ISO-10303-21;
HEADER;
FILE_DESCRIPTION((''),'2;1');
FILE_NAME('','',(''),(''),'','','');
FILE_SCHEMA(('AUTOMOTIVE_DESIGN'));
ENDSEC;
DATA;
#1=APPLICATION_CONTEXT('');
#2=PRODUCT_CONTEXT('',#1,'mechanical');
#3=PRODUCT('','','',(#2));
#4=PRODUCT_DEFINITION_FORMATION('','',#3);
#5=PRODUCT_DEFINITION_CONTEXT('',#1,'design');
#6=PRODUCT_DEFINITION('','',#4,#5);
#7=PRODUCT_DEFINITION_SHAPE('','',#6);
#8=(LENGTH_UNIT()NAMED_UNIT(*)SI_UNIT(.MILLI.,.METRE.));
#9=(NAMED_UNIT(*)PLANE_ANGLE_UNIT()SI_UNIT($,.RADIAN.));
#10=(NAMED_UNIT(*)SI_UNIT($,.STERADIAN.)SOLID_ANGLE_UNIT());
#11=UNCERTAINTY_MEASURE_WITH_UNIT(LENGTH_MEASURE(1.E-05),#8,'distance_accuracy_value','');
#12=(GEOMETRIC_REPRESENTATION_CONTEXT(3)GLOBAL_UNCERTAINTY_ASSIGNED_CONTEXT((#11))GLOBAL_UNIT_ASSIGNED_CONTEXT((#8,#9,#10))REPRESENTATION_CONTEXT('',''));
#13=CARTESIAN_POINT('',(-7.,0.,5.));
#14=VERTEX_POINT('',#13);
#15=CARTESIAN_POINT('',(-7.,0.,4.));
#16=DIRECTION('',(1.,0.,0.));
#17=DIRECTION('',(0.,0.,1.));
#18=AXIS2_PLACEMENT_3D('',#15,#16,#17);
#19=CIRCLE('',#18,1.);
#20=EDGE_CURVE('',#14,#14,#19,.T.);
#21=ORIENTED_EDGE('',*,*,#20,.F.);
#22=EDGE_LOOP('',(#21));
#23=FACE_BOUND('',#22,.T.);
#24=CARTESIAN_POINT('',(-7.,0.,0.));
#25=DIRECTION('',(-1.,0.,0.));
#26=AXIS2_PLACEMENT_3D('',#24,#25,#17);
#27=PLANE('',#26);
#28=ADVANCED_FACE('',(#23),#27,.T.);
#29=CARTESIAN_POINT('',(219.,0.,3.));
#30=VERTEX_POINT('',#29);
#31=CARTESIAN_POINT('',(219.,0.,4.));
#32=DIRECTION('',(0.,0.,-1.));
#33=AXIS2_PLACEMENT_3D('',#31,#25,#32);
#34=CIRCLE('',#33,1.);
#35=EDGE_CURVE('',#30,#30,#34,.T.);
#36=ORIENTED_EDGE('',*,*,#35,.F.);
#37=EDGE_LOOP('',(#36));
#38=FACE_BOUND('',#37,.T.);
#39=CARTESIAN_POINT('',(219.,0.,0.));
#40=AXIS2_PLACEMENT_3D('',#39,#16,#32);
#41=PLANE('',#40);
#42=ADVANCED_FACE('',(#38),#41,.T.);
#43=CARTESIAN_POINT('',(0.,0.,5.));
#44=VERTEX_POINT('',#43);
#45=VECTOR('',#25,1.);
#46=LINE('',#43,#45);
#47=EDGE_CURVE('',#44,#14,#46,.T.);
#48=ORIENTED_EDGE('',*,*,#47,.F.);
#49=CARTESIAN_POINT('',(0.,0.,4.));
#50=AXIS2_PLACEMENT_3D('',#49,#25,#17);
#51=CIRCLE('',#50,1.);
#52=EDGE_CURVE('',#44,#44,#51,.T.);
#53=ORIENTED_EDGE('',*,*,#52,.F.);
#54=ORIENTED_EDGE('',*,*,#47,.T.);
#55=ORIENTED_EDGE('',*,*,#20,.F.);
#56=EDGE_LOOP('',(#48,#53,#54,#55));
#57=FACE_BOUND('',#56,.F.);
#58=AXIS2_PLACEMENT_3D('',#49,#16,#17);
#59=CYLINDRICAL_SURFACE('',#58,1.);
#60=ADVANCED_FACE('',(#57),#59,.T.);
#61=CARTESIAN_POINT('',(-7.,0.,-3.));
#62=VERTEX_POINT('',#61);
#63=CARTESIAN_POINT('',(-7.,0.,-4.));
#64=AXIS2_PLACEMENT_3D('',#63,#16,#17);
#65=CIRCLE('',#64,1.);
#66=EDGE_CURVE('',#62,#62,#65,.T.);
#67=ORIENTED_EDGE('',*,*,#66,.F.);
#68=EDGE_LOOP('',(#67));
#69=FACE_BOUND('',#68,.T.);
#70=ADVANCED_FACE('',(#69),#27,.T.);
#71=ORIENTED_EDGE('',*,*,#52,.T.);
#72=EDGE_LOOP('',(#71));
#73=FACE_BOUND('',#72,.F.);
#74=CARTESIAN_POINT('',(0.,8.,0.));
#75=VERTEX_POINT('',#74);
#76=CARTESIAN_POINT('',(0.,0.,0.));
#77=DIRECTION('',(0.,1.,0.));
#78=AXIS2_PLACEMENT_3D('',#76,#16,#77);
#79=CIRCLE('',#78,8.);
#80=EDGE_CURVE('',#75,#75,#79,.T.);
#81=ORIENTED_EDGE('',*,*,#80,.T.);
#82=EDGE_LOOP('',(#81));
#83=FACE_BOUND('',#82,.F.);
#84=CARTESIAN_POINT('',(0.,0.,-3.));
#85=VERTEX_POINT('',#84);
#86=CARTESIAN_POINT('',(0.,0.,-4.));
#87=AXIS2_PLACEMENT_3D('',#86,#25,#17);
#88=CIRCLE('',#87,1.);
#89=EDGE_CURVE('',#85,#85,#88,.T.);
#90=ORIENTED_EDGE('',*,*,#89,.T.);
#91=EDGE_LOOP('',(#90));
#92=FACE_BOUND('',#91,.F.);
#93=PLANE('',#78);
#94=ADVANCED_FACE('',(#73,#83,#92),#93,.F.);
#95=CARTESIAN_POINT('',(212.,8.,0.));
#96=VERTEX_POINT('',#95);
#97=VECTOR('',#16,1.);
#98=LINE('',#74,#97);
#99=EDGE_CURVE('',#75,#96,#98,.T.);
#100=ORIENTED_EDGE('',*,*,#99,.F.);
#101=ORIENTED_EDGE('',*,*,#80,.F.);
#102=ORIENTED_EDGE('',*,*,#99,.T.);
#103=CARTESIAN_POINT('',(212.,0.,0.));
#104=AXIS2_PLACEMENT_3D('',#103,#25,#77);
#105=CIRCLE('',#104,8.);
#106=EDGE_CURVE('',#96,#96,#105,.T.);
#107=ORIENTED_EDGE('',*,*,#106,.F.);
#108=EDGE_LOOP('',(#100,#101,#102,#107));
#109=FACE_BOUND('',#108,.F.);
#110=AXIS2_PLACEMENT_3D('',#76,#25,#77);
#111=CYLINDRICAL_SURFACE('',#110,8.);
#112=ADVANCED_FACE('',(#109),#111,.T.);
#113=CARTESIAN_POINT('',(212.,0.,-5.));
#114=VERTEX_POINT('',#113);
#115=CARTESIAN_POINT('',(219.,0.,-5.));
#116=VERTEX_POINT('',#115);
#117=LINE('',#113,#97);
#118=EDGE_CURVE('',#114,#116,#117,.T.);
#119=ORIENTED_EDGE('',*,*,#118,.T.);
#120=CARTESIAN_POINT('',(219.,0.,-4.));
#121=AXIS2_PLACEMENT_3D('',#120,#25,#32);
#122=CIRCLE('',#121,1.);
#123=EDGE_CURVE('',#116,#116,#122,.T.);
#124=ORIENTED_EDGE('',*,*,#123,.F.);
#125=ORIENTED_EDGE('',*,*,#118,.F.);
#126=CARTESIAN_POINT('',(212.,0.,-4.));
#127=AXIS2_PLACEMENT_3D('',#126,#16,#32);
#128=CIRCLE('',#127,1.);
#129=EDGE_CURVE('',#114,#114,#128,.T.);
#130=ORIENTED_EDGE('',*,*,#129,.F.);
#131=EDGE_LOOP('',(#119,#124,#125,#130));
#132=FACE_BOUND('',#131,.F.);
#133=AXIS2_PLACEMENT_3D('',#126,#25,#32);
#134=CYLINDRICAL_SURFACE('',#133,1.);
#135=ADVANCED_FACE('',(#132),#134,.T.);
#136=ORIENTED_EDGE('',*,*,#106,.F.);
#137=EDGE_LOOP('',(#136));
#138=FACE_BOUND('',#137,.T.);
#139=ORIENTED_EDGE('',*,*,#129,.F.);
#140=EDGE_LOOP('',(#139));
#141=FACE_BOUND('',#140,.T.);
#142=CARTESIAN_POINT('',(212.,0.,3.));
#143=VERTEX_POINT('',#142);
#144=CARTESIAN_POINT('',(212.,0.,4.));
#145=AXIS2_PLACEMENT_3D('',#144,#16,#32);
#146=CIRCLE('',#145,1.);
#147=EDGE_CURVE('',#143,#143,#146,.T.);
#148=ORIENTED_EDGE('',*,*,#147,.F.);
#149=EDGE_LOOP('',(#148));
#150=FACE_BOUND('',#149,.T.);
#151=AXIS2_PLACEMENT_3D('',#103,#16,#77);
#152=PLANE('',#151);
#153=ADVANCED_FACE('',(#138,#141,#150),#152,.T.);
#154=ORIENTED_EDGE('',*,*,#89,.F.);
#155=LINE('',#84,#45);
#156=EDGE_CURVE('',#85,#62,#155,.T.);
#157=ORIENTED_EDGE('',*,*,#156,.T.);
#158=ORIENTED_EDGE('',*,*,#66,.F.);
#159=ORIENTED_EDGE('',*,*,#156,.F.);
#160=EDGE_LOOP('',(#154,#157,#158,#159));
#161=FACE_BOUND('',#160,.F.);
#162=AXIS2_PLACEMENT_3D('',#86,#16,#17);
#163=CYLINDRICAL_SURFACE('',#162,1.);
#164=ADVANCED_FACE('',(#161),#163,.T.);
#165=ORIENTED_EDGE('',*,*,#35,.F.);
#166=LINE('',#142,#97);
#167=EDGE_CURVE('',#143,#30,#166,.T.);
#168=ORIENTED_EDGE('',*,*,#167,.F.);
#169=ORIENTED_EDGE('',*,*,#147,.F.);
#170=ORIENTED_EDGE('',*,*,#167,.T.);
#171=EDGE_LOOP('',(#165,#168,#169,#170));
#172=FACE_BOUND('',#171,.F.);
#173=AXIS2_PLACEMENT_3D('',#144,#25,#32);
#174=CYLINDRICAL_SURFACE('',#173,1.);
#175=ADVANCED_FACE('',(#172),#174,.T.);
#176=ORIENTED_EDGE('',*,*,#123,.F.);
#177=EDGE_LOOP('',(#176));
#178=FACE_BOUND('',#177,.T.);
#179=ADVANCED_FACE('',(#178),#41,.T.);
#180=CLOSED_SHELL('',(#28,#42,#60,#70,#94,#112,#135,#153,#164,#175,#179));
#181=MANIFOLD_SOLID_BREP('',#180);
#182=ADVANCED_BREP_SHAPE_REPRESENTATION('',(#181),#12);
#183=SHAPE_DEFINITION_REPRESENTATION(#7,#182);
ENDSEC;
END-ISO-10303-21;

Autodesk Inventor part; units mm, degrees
ref_plane "YZ Plane" through (0, 0, 0) normal (1, 0, 0) x (0, 1, 0)
ref_plane "XZ Plane" through (0, 0, 0) normal (0, 1, 0) x (-1, 0, 0)
ref_plane "XY Plane" through (0, 0, 0) normal (0, 0, 1) x (1, 0, 0)
sketch "Szkic1" plane through (0, 0, 0) normal (1, 0, 0) x (0, 1, 0)
  line L0 (-11.2, 0) -> (11.2, 0) projected
  line L1 (0, -11.2) -> (0, 11.2) projected
  circle A0 centre (0, 0) radius 8
  dimension "d0" = 16
extrude "Wyciągnięcie proste1" add sketch "Szkic1" along normal blind 212
sketch "Szkic2" plane through (212, 0, 0) normal (1, 0, 0) x (0, 0, -1)
  circle A0 centre (0, 0) radius 8 projected
  line L0 (0, -11.2) -> (0, 11.2) projected
  line L1 (16, 0) -> (-12, 0) projected
  circle A1 centre (-4, 0) radius 1
  circle A2 centre (4, 0) radius 1
  point P0 (12, 0)
  dimension "d4" = 16
  dimension "d5" = 2
  dimension "d8" = 8
extrude "Wyciągnięcie proste2" add sketch "Szkic2" along normal blind 7 contours A2 L1 | L1 A2 | A1 L1 | L1 A1
sketch "Szkic3" plane through (0, 0, 0) normal (-1, 0, 0) x (0, 0, 1)
  circle A0 centre (0, 0) radius 8 projected
  line L0 (-11.2, 0) -> (11.2, 0) projected
  line L1 (0, -11.2) -> (0, 11.2) projected
  circle A1 centre (-4, 0) radius 1
  circle A2 centre (4, 0) radius 1
  dimension "d19" = 10
  dimension "d15" = 2
  dimension "d16" = 16
  dimension "d22" = 8
extrude "Wyciągnięcie proste3" add sketch "Szkic3" along normal blind 7 contours A2 L0 | L0 A2 | A1 L0 | L0 A1
equation "\"d8\" = 0.5 * d4"
equation "\"d22\" = 0.5 * d16"
properties part number "świetlówka"
